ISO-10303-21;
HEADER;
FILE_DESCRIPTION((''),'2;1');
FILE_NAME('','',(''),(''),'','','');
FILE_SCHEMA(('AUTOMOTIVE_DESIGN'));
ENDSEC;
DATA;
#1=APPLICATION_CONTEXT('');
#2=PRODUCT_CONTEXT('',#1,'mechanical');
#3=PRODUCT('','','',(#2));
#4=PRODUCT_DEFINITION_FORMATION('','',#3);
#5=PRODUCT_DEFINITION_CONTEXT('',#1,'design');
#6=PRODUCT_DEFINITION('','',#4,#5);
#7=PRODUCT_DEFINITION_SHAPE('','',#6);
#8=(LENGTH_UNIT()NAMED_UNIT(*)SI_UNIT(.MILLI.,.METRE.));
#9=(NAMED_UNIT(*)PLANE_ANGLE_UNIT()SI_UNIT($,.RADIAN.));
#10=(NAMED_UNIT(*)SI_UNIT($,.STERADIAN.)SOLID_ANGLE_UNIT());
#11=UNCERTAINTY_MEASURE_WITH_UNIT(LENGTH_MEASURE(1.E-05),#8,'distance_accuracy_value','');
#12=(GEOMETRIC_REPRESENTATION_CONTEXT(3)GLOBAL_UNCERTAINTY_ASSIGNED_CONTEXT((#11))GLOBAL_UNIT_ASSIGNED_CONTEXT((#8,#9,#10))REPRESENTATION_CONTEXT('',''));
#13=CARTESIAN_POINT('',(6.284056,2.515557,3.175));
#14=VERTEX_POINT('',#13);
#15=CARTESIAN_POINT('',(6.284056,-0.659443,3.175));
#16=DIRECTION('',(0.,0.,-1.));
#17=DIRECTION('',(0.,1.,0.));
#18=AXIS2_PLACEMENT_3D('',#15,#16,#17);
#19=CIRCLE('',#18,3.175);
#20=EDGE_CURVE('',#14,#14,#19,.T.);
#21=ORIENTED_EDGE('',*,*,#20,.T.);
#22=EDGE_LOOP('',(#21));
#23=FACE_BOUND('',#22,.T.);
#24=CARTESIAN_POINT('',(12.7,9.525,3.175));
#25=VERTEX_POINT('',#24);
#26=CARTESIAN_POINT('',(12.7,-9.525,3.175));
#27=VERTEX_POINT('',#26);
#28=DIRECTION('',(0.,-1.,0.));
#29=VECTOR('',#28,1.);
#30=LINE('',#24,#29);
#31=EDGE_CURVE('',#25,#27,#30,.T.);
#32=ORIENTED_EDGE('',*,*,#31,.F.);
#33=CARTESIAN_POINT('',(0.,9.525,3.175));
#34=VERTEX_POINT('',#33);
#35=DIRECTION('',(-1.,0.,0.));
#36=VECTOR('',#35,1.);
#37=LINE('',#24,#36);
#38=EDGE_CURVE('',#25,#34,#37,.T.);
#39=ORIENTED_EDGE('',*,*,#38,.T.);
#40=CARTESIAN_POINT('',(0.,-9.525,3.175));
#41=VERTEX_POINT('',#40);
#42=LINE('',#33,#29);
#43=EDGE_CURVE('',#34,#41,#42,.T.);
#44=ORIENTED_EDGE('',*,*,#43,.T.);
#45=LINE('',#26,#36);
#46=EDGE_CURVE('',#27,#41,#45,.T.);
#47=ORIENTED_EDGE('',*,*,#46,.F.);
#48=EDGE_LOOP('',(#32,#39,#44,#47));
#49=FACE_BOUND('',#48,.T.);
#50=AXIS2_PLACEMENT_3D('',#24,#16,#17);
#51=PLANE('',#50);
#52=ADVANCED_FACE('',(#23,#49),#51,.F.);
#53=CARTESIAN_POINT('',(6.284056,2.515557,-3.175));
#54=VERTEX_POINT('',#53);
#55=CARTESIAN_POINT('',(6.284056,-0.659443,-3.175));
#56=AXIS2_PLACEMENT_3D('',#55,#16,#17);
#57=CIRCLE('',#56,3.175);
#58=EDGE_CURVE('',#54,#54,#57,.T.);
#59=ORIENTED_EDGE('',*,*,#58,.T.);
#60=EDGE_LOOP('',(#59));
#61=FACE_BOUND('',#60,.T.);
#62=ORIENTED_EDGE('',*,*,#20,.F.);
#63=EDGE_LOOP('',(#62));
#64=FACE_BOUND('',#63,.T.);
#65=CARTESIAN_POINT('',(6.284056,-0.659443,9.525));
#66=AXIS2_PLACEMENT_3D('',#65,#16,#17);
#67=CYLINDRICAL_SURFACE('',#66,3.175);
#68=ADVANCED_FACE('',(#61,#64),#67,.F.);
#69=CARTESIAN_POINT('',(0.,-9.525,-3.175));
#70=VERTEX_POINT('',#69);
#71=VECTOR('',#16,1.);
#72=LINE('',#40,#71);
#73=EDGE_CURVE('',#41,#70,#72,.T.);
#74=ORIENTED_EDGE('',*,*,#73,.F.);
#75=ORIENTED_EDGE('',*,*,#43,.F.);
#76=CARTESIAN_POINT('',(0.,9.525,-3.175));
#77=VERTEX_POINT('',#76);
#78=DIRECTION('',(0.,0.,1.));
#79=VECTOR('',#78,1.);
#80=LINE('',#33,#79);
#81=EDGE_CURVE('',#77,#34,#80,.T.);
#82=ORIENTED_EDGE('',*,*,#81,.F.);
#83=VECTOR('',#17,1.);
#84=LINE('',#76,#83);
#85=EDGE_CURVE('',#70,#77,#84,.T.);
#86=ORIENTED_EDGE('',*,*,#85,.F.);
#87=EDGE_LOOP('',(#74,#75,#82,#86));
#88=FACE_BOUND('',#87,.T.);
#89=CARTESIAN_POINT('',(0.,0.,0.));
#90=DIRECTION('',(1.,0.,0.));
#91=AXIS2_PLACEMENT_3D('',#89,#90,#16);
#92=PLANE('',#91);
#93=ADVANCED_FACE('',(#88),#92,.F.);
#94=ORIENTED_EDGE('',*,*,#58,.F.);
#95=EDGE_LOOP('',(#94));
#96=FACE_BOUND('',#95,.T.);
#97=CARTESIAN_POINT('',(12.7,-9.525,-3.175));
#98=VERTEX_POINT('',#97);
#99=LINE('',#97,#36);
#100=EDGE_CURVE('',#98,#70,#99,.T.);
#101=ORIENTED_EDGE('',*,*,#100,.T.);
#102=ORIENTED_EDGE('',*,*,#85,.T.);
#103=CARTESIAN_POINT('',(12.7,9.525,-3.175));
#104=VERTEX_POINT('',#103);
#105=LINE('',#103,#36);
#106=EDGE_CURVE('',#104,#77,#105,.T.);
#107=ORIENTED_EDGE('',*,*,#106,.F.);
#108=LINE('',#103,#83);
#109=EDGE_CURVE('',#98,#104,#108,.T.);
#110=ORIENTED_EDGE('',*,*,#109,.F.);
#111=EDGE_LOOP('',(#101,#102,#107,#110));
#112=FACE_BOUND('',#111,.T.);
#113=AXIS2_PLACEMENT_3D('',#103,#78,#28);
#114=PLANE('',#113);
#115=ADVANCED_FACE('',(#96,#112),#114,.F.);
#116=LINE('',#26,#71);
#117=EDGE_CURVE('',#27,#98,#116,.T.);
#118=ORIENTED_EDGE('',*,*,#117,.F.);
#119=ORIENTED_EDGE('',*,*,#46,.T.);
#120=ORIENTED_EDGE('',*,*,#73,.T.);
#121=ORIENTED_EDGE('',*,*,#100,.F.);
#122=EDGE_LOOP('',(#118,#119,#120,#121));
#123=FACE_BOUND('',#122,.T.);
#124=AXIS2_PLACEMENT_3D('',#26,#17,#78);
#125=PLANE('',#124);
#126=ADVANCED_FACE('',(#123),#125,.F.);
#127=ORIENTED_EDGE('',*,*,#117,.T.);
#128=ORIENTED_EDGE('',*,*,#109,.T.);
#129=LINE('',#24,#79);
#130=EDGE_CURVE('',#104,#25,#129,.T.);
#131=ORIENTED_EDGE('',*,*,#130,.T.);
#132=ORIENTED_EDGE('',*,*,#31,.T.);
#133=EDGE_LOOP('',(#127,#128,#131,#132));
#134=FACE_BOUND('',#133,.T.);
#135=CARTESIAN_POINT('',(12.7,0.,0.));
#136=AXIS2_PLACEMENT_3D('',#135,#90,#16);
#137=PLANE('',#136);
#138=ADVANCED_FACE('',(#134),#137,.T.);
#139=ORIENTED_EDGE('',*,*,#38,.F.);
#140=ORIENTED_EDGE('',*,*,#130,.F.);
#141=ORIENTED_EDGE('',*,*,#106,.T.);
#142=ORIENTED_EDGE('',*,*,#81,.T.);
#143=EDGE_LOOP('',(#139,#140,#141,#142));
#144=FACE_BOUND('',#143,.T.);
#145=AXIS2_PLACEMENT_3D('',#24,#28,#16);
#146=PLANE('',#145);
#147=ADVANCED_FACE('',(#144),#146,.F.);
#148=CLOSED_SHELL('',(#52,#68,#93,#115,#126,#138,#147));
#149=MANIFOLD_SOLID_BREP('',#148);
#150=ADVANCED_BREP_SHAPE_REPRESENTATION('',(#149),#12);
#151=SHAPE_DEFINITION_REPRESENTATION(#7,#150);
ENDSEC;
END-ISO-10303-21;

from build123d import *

# Parameters (mm, degrees)
SKETCH1_W           = 6.35
SKETCH1_H           = 19.05
BOSS_EXTRUDE1_DEPTH = 12.7
SKETCH2_R           = 3.175
CUT_EXTRUDE1_DEPTH  = 12.7


with BuildPart() as part:
    # Sketch1 → Boss-Extrude1 (new body)
    with BuildSketch(Plane(origin=(0, 0, 0), x_dir=(0, 0, -1), z_dir=(1, 0, 0))):
        Rectangle(SKETCH1_W, SKETCH1_H)
    extrude(amount=BOSS_EXTRUDE1_DEPTH)

    # Sketch2 → Cut-Extrude1 (cut)
    with BuildSketch(Plane(origin=(0, 0, -3.175), x_dir=(-1, 0, 0), z_dir=(0, 0, -1))):
        with Locations(Location((-6.284055676, -0.659443238, 0), (0, 0, 90))):
            Circle(SKETCH2_R)
    extrude(amount=-CUT_EXTRUDE1_DEPTH, mode=Mode.SUBTRACT)


solid = part.part
